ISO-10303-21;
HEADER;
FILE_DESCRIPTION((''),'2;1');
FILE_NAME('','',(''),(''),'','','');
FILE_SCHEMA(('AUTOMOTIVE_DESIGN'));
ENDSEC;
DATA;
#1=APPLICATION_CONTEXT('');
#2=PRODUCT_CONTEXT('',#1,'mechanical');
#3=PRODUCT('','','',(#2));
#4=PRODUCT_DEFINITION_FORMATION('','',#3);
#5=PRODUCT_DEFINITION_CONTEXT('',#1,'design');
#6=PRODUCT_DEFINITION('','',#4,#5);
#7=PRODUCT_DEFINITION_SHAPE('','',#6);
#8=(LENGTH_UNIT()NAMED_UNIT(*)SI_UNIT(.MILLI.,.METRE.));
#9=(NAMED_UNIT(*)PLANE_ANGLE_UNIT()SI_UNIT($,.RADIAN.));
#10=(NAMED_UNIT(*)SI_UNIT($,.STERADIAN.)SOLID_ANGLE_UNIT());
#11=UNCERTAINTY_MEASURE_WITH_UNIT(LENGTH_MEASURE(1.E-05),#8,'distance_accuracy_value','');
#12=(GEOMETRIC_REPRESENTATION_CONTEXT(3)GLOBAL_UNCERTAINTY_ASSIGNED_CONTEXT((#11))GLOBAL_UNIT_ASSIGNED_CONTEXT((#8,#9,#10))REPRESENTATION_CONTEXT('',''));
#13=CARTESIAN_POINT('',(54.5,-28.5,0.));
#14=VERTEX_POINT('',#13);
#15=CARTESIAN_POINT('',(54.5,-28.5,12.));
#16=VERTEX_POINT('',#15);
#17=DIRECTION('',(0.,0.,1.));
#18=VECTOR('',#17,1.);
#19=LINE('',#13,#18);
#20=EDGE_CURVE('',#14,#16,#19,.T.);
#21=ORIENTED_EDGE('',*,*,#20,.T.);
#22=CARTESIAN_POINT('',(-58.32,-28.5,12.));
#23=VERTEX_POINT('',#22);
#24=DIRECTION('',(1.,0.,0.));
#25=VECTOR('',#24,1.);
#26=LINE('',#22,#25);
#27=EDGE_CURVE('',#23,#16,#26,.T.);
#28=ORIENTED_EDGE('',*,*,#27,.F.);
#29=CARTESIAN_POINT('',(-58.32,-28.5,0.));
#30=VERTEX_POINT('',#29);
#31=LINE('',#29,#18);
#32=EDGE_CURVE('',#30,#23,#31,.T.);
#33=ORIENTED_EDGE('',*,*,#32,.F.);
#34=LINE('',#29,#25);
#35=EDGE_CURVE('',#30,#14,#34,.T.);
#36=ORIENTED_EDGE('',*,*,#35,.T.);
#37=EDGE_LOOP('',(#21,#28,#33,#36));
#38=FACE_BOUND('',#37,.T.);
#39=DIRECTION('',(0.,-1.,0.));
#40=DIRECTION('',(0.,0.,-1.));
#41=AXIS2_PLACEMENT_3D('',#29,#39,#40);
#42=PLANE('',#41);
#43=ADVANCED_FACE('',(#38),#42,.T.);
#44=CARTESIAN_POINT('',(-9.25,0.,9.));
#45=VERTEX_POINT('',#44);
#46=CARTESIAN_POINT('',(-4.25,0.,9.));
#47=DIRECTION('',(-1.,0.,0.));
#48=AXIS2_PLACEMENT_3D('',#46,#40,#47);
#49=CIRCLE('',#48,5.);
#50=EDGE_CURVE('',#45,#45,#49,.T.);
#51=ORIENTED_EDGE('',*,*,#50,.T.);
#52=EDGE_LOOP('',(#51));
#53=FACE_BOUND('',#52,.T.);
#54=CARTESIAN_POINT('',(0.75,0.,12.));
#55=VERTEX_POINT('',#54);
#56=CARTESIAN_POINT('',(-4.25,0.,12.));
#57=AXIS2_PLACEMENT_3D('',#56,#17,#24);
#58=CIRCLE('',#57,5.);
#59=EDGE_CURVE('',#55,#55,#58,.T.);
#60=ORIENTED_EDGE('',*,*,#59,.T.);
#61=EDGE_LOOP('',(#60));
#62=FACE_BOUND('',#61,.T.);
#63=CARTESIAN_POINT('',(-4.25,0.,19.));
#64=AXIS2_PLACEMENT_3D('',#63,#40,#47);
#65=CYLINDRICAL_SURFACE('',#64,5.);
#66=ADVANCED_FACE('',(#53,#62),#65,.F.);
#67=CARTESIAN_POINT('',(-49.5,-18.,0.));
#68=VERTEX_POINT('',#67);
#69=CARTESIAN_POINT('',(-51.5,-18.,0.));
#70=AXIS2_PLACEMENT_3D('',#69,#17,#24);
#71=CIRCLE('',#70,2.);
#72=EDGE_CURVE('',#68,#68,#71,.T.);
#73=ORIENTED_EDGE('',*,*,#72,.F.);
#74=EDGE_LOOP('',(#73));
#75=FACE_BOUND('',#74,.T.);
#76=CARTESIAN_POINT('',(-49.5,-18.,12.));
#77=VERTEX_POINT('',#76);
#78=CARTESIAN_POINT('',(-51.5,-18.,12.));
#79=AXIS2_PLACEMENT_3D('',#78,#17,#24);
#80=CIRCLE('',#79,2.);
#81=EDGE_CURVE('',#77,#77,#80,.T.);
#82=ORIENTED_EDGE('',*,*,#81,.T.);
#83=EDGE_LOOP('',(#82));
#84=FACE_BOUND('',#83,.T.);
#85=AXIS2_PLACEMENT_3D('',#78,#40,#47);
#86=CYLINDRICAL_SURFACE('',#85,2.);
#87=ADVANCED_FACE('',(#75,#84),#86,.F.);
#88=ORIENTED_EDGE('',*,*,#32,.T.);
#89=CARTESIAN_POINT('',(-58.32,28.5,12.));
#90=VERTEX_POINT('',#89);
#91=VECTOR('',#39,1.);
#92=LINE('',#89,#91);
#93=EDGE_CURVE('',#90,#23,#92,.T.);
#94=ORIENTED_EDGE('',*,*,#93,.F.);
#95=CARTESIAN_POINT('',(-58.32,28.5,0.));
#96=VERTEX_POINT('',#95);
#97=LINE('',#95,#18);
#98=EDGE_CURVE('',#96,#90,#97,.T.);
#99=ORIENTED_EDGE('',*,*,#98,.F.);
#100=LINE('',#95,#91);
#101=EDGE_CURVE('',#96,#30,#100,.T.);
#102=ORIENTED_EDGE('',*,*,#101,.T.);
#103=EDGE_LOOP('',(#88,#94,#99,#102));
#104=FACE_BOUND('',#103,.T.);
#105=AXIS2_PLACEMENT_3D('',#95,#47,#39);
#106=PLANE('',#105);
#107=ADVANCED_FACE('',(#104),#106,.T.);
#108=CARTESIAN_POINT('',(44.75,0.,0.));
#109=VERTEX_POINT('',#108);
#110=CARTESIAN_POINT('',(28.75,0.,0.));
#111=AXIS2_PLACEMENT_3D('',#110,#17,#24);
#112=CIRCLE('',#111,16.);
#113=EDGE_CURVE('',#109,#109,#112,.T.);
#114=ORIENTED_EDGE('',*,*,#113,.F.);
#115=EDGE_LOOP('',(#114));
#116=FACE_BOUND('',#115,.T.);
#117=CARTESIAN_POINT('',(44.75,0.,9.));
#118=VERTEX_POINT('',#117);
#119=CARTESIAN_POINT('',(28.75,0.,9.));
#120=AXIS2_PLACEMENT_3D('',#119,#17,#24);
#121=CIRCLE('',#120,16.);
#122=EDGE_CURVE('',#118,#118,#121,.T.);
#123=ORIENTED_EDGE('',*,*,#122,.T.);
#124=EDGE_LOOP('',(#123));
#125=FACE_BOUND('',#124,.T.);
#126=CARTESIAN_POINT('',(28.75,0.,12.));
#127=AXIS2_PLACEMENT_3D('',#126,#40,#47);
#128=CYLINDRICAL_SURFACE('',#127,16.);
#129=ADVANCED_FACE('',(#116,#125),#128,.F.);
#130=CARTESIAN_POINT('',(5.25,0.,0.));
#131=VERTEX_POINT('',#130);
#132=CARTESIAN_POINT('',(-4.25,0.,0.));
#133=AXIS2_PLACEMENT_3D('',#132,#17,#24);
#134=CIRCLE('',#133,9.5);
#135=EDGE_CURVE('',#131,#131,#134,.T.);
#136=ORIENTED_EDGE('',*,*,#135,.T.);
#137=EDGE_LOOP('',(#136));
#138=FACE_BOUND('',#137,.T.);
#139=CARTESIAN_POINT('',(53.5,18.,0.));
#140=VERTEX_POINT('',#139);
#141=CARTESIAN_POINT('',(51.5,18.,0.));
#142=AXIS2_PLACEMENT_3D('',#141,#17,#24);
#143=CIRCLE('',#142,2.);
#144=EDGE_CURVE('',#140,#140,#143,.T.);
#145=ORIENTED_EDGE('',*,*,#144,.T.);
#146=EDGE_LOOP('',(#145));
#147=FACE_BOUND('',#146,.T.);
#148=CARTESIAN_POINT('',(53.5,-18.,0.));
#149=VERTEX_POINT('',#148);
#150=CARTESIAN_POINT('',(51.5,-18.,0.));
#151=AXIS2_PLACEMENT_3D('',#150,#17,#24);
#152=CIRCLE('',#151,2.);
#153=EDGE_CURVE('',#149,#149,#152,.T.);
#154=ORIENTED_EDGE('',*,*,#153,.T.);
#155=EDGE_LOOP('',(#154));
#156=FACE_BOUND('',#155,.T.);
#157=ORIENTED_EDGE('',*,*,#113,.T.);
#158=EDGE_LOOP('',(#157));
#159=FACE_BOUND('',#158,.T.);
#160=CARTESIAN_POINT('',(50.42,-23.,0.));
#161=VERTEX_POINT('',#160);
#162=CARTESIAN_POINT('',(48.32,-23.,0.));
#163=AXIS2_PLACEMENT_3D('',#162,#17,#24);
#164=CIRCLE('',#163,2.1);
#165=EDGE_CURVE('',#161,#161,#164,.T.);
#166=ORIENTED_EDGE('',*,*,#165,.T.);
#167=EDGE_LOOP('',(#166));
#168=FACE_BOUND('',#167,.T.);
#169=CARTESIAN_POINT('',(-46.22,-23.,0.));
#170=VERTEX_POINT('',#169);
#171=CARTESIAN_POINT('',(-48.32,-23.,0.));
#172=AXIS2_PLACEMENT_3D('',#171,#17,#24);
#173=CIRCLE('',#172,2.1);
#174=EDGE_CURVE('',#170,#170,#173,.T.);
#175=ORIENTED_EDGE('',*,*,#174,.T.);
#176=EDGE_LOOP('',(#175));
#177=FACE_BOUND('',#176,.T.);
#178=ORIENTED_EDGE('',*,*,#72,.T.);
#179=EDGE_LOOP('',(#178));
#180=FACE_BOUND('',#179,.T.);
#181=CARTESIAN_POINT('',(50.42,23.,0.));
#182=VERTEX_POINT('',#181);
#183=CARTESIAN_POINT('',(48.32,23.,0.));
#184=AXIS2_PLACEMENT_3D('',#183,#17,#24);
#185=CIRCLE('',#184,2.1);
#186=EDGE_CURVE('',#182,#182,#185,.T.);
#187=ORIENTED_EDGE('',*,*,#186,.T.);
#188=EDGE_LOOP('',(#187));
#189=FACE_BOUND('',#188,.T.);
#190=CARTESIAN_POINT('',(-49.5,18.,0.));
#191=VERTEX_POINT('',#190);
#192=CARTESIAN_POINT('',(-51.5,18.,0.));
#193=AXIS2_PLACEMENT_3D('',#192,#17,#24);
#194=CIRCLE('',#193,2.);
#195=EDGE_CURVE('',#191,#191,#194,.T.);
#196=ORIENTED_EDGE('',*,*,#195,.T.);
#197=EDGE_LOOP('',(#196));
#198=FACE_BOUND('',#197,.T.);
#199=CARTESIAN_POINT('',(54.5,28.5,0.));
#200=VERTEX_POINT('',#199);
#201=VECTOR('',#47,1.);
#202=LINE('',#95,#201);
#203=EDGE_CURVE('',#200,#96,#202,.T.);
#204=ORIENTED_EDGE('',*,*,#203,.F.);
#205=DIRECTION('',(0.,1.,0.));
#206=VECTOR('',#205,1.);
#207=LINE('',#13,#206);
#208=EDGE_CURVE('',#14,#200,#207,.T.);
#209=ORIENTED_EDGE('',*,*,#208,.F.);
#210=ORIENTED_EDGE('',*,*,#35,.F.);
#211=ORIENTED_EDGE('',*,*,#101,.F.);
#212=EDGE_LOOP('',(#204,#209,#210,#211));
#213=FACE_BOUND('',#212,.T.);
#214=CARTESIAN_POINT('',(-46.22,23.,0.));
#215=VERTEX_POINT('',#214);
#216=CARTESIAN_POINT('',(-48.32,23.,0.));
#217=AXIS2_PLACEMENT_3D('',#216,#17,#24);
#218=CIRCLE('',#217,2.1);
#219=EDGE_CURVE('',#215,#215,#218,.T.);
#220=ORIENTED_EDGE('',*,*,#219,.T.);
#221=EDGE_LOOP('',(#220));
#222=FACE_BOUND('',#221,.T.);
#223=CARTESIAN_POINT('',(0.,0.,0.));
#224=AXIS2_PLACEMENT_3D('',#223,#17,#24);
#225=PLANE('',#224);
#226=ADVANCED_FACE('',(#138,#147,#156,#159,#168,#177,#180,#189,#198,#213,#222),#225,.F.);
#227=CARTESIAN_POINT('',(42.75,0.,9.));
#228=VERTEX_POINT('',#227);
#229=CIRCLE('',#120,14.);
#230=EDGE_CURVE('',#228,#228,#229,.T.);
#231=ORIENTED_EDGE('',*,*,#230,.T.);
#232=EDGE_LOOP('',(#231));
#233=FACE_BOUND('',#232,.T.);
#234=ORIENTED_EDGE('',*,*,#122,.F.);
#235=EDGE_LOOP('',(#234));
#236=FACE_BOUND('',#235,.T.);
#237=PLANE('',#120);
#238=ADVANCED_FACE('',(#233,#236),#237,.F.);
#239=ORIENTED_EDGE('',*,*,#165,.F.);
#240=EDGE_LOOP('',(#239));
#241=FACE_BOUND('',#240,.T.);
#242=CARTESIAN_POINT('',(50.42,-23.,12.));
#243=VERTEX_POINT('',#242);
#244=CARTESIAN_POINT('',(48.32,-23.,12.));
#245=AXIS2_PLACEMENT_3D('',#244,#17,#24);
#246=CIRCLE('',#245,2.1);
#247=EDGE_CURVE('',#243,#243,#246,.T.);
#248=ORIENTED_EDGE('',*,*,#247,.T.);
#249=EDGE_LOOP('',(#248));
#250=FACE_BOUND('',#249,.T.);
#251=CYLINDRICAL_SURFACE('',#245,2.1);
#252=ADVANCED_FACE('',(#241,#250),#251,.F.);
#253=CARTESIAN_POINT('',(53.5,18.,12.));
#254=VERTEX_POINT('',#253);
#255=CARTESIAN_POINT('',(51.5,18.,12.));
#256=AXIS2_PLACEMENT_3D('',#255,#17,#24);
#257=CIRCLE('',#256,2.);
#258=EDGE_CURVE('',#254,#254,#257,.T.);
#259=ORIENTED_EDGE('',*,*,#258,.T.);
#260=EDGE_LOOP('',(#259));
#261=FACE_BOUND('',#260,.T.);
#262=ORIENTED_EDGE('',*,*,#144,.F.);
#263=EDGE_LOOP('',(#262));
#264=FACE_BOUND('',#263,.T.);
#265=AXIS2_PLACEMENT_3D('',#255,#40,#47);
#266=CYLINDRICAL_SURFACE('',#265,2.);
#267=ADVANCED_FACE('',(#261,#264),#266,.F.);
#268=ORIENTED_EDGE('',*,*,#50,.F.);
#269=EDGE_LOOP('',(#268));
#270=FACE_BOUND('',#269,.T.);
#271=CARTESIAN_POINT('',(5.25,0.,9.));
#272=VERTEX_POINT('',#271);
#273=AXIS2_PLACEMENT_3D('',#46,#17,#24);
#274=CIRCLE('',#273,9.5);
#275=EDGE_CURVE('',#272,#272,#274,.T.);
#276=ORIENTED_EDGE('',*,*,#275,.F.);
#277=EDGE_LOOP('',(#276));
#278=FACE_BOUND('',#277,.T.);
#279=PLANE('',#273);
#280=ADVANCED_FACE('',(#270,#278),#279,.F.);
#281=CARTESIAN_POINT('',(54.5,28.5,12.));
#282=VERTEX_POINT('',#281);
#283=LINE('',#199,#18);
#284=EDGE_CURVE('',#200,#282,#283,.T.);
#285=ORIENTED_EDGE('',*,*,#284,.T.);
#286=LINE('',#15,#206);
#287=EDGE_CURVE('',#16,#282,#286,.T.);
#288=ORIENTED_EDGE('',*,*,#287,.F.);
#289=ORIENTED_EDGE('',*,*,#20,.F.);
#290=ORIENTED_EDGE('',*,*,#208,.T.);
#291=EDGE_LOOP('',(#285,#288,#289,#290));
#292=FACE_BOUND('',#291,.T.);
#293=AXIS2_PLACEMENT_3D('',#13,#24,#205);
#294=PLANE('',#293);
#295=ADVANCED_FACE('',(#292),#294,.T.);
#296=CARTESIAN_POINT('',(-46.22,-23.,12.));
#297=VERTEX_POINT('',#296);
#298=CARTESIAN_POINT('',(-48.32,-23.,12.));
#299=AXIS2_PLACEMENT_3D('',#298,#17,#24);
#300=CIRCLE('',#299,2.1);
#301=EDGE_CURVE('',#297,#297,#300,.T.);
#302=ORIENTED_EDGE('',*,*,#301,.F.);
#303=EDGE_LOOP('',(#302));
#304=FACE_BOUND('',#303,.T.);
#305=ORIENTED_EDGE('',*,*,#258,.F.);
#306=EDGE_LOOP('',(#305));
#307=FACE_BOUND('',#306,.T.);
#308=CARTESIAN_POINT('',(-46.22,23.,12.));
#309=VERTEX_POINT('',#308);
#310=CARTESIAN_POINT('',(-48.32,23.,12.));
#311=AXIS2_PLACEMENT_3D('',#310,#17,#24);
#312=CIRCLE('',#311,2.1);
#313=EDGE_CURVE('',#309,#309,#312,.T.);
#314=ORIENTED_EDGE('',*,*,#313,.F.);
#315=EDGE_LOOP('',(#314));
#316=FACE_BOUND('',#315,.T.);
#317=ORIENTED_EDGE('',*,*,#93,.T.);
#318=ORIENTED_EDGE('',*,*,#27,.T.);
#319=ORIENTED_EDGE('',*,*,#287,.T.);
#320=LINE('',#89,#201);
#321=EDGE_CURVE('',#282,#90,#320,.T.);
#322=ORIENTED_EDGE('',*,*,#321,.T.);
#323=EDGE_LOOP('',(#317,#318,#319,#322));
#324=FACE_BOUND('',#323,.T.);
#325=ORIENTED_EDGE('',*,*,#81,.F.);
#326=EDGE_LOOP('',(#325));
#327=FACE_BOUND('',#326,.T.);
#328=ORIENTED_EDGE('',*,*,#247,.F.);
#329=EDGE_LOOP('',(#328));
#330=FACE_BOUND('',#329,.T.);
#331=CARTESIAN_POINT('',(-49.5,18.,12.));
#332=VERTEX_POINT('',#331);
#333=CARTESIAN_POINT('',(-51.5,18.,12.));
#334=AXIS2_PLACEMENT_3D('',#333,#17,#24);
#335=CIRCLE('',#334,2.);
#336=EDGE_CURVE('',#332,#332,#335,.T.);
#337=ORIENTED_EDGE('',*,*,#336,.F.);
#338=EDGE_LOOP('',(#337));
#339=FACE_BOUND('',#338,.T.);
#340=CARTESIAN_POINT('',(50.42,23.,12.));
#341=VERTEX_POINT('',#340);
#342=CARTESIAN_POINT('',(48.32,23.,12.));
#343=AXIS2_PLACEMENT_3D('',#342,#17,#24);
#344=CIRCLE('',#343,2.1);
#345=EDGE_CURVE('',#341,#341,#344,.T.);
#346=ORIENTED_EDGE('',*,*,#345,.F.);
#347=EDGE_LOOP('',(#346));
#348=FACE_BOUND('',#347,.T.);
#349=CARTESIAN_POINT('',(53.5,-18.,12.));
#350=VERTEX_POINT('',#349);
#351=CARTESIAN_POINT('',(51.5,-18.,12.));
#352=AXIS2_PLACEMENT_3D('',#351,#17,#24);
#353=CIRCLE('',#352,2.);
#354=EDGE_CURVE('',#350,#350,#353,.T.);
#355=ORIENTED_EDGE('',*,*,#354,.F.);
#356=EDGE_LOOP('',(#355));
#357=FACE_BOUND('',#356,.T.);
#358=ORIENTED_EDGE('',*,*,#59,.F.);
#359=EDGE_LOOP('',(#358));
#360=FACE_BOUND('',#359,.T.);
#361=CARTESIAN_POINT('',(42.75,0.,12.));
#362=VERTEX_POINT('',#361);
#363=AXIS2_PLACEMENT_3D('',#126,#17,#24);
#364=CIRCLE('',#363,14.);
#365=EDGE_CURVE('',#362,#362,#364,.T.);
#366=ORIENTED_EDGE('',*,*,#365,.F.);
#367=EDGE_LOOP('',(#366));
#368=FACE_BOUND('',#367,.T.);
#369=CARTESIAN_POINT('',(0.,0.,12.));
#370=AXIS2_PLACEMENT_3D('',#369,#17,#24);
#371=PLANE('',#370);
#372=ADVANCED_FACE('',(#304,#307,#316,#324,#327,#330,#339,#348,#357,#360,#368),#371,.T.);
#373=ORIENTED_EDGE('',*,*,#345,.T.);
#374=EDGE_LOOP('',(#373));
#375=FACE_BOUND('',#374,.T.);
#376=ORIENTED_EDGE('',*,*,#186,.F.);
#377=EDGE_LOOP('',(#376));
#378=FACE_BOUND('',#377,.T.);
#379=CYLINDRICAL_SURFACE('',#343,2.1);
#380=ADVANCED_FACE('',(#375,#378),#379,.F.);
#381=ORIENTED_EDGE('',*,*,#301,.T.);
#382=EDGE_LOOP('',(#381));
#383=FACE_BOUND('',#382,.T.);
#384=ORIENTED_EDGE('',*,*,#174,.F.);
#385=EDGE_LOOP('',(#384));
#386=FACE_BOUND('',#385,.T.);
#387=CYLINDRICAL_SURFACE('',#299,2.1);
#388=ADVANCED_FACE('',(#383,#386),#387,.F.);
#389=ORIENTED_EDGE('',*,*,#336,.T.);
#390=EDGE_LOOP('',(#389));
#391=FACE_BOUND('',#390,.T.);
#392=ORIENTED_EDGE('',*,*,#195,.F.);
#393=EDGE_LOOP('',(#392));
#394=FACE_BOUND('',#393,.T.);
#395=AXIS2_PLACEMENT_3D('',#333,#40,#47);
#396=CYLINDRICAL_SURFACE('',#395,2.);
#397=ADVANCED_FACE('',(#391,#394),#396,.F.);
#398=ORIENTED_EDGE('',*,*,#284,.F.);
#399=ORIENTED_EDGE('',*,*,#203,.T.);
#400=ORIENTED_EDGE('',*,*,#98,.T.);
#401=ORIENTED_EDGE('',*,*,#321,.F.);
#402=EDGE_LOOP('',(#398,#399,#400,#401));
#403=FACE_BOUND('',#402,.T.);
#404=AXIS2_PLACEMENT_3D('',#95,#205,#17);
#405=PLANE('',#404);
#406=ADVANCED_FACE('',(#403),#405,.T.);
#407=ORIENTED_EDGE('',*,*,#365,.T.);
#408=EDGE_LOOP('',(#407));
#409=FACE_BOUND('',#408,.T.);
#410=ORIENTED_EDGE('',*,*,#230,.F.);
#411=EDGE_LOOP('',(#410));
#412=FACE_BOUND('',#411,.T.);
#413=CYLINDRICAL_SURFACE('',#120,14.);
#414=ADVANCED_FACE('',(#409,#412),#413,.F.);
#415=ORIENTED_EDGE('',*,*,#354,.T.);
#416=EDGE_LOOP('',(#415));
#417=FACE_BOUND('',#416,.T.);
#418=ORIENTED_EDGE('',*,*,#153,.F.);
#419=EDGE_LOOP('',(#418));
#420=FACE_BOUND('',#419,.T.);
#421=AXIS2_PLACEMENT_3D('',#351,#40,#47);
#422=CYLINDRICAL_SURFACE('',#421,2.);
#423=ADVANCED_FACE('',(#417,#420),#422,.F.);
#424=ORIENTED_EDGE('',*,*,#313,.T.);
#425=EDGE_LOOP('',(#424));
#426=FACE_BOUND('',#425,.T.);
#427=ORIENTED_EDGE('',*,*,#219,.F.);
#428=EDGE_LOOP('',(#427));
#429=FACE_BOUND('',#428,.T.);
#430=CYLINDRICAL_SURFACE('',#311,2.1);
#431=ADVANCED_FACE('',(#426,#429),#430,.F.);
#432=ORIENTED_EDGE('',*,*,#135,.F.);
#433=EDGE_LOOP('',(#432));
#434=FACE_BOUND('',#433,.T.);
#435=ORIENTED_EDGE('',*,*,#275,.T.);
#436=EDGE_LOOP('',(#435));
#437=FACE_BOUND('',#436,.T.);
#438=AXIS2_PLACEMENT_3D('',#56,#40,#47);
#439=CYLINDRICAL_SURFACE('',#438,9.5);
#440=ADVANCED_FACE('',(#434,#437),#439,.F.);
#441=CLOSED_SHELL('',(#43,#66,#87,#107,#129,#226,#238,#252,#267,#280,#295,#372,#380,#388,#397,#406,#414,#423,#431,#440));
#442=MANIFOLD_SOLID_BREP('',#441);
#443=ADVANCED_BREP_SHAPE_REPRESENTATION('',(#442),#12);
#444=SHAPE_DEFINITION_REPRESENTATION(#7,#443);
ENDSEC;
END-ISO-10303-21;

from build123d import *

# Parameters (mm, degrees)
ESBO_O1_W                = 118
ESBO_O1_H                = 62
ESBO_O1_R                = 9.5
ESBO_O1_R_2              = 16
ESBO_O1_R_3              = 2
RESSALTO_EXTRUS_O1_DEPTH = 12
FURO_COM_FOLGA_DE_M51_D  = 4.2
RESSALTO_EXTRUS_O4_START = -3
ESBO_O17_R               = 9.5
RESSALTO_EXTRUS_O4_DEPTH = 3
ESBO_O18_W               = 118
ESBO_O18_H               = 62
ESBO_O18_W_2             = 112.82
ESBO_O18_H_2             = 57
CORTE_EXTRUS_O3_DEPTH    = 68.720011813
RESSALTO_EXTRUS_O5_START = -3
ESBO_O19_R               = 16
ESBO_O19_R_2             = 14
RESSALTO_EXTRUS_O5_DEPTH = 3
ESBO_O21_R               = 5
CORTE_EXTRUS_O4_DEPTH    = 10


with BuildPart() as part:
    # Esboço1 → Ressalto-extrusão1 (new body)
    with BuildSketch(Plane.XY):
        Rectangle(ESBO_O1_W, ESBO_O1_H)
        with Locations((-4.25, 0)):
            Circle(ESBO_O1_R, mode=Mode.SUBTRACT)
        with Locations((28.75, 0)):
            Circle(ESBO_O1_R_2, mode=Mode.SUBTRACT)
        with Locations((51.5, -18)):
            Circle(ESBO_O1_R_3, mode=Mode.SUBTRACT)
        with Locations((51.5, 18)):
            Circle(ESBO_O1_R_3, mode=Mode.SUBTRACT)
        with Locations((-51.5, -18)):
            Circle(ESBO_O1_R_3, mode=Mode.SUBTRACT)
        with Locations((-51.5, 18)):
            Circle(ESBO_O1_R_3, mode=Mode.SUBTRACT)
    extrude(amount=RESSALTO_EXTRUS_O1_DEPTH)

    # Furo com folga de M51 (through all)
    with Locations(Plane.XY.offset(12)):
        with Locations((-48.32, 23), (-48.32, -23), (48.32, -23), (48.32, 23)):
            Hole(FURO_COM_FOLGA_DE_M51_D / 2)

    # Esboço17 → Ressalto-extrusão4 (add)
    with BuildSketch(Plane.XY.offset(12).offset(RESSALTO_EXTRUS_O4_START)):
        with Locations((-4.25, 0)):
            Circle(ESBO_O17_R)
    extrude(amount=RESSALTO_EXTRUS_O4_DEPTH)

    # Esboço18 → Corte-extrusão3 (cut, through all)
    with BuildSketch(Plane.XY.offset(12)):
        Rectangle(ESBO_O18_W, ESBO_O18_H)
        with Locations((-1.91, 0)):
            Rectangle(ESBO_O18_W_2, ESBO_O18_H_2, mode=Mode.SUBTRACT)
    extrude(amount=-CORTE_EXTRUS_O3_DEPTH, mode=Mode.SUBTRACT)

    # Esboço19 → Ressalto-extrusão5 (add)
    with BuildSketch(Plane.XY.offset(12).offset(RESSALTO_EXTRUS_O5_START)):
        with Locations((28.75, 0)):
            Circle(ESBO_O19_R)
        with Locations((28.75, 0)):
            Circle(ESBO_O19_R_2, mode=Mode.SUBTRACT)
    extrude(amount=RESSALTO_EXTRUS_O5_DEPTH)

    # Esboço21 → Corte-extrusão4 (cut)
    with BuildSketch(Plane(origin=(0, 0, 9), x_dir=(-1, 0, 0), z_dir=(0, 0, -1))):
        with Locations((4.25, 0)):
            Circle(ESBO_O21_R)
    extrude(amount=-CORTE_EXTRUS_O4_DEPTH, mode=Mode.SUBTRACT)


solid = part.part
